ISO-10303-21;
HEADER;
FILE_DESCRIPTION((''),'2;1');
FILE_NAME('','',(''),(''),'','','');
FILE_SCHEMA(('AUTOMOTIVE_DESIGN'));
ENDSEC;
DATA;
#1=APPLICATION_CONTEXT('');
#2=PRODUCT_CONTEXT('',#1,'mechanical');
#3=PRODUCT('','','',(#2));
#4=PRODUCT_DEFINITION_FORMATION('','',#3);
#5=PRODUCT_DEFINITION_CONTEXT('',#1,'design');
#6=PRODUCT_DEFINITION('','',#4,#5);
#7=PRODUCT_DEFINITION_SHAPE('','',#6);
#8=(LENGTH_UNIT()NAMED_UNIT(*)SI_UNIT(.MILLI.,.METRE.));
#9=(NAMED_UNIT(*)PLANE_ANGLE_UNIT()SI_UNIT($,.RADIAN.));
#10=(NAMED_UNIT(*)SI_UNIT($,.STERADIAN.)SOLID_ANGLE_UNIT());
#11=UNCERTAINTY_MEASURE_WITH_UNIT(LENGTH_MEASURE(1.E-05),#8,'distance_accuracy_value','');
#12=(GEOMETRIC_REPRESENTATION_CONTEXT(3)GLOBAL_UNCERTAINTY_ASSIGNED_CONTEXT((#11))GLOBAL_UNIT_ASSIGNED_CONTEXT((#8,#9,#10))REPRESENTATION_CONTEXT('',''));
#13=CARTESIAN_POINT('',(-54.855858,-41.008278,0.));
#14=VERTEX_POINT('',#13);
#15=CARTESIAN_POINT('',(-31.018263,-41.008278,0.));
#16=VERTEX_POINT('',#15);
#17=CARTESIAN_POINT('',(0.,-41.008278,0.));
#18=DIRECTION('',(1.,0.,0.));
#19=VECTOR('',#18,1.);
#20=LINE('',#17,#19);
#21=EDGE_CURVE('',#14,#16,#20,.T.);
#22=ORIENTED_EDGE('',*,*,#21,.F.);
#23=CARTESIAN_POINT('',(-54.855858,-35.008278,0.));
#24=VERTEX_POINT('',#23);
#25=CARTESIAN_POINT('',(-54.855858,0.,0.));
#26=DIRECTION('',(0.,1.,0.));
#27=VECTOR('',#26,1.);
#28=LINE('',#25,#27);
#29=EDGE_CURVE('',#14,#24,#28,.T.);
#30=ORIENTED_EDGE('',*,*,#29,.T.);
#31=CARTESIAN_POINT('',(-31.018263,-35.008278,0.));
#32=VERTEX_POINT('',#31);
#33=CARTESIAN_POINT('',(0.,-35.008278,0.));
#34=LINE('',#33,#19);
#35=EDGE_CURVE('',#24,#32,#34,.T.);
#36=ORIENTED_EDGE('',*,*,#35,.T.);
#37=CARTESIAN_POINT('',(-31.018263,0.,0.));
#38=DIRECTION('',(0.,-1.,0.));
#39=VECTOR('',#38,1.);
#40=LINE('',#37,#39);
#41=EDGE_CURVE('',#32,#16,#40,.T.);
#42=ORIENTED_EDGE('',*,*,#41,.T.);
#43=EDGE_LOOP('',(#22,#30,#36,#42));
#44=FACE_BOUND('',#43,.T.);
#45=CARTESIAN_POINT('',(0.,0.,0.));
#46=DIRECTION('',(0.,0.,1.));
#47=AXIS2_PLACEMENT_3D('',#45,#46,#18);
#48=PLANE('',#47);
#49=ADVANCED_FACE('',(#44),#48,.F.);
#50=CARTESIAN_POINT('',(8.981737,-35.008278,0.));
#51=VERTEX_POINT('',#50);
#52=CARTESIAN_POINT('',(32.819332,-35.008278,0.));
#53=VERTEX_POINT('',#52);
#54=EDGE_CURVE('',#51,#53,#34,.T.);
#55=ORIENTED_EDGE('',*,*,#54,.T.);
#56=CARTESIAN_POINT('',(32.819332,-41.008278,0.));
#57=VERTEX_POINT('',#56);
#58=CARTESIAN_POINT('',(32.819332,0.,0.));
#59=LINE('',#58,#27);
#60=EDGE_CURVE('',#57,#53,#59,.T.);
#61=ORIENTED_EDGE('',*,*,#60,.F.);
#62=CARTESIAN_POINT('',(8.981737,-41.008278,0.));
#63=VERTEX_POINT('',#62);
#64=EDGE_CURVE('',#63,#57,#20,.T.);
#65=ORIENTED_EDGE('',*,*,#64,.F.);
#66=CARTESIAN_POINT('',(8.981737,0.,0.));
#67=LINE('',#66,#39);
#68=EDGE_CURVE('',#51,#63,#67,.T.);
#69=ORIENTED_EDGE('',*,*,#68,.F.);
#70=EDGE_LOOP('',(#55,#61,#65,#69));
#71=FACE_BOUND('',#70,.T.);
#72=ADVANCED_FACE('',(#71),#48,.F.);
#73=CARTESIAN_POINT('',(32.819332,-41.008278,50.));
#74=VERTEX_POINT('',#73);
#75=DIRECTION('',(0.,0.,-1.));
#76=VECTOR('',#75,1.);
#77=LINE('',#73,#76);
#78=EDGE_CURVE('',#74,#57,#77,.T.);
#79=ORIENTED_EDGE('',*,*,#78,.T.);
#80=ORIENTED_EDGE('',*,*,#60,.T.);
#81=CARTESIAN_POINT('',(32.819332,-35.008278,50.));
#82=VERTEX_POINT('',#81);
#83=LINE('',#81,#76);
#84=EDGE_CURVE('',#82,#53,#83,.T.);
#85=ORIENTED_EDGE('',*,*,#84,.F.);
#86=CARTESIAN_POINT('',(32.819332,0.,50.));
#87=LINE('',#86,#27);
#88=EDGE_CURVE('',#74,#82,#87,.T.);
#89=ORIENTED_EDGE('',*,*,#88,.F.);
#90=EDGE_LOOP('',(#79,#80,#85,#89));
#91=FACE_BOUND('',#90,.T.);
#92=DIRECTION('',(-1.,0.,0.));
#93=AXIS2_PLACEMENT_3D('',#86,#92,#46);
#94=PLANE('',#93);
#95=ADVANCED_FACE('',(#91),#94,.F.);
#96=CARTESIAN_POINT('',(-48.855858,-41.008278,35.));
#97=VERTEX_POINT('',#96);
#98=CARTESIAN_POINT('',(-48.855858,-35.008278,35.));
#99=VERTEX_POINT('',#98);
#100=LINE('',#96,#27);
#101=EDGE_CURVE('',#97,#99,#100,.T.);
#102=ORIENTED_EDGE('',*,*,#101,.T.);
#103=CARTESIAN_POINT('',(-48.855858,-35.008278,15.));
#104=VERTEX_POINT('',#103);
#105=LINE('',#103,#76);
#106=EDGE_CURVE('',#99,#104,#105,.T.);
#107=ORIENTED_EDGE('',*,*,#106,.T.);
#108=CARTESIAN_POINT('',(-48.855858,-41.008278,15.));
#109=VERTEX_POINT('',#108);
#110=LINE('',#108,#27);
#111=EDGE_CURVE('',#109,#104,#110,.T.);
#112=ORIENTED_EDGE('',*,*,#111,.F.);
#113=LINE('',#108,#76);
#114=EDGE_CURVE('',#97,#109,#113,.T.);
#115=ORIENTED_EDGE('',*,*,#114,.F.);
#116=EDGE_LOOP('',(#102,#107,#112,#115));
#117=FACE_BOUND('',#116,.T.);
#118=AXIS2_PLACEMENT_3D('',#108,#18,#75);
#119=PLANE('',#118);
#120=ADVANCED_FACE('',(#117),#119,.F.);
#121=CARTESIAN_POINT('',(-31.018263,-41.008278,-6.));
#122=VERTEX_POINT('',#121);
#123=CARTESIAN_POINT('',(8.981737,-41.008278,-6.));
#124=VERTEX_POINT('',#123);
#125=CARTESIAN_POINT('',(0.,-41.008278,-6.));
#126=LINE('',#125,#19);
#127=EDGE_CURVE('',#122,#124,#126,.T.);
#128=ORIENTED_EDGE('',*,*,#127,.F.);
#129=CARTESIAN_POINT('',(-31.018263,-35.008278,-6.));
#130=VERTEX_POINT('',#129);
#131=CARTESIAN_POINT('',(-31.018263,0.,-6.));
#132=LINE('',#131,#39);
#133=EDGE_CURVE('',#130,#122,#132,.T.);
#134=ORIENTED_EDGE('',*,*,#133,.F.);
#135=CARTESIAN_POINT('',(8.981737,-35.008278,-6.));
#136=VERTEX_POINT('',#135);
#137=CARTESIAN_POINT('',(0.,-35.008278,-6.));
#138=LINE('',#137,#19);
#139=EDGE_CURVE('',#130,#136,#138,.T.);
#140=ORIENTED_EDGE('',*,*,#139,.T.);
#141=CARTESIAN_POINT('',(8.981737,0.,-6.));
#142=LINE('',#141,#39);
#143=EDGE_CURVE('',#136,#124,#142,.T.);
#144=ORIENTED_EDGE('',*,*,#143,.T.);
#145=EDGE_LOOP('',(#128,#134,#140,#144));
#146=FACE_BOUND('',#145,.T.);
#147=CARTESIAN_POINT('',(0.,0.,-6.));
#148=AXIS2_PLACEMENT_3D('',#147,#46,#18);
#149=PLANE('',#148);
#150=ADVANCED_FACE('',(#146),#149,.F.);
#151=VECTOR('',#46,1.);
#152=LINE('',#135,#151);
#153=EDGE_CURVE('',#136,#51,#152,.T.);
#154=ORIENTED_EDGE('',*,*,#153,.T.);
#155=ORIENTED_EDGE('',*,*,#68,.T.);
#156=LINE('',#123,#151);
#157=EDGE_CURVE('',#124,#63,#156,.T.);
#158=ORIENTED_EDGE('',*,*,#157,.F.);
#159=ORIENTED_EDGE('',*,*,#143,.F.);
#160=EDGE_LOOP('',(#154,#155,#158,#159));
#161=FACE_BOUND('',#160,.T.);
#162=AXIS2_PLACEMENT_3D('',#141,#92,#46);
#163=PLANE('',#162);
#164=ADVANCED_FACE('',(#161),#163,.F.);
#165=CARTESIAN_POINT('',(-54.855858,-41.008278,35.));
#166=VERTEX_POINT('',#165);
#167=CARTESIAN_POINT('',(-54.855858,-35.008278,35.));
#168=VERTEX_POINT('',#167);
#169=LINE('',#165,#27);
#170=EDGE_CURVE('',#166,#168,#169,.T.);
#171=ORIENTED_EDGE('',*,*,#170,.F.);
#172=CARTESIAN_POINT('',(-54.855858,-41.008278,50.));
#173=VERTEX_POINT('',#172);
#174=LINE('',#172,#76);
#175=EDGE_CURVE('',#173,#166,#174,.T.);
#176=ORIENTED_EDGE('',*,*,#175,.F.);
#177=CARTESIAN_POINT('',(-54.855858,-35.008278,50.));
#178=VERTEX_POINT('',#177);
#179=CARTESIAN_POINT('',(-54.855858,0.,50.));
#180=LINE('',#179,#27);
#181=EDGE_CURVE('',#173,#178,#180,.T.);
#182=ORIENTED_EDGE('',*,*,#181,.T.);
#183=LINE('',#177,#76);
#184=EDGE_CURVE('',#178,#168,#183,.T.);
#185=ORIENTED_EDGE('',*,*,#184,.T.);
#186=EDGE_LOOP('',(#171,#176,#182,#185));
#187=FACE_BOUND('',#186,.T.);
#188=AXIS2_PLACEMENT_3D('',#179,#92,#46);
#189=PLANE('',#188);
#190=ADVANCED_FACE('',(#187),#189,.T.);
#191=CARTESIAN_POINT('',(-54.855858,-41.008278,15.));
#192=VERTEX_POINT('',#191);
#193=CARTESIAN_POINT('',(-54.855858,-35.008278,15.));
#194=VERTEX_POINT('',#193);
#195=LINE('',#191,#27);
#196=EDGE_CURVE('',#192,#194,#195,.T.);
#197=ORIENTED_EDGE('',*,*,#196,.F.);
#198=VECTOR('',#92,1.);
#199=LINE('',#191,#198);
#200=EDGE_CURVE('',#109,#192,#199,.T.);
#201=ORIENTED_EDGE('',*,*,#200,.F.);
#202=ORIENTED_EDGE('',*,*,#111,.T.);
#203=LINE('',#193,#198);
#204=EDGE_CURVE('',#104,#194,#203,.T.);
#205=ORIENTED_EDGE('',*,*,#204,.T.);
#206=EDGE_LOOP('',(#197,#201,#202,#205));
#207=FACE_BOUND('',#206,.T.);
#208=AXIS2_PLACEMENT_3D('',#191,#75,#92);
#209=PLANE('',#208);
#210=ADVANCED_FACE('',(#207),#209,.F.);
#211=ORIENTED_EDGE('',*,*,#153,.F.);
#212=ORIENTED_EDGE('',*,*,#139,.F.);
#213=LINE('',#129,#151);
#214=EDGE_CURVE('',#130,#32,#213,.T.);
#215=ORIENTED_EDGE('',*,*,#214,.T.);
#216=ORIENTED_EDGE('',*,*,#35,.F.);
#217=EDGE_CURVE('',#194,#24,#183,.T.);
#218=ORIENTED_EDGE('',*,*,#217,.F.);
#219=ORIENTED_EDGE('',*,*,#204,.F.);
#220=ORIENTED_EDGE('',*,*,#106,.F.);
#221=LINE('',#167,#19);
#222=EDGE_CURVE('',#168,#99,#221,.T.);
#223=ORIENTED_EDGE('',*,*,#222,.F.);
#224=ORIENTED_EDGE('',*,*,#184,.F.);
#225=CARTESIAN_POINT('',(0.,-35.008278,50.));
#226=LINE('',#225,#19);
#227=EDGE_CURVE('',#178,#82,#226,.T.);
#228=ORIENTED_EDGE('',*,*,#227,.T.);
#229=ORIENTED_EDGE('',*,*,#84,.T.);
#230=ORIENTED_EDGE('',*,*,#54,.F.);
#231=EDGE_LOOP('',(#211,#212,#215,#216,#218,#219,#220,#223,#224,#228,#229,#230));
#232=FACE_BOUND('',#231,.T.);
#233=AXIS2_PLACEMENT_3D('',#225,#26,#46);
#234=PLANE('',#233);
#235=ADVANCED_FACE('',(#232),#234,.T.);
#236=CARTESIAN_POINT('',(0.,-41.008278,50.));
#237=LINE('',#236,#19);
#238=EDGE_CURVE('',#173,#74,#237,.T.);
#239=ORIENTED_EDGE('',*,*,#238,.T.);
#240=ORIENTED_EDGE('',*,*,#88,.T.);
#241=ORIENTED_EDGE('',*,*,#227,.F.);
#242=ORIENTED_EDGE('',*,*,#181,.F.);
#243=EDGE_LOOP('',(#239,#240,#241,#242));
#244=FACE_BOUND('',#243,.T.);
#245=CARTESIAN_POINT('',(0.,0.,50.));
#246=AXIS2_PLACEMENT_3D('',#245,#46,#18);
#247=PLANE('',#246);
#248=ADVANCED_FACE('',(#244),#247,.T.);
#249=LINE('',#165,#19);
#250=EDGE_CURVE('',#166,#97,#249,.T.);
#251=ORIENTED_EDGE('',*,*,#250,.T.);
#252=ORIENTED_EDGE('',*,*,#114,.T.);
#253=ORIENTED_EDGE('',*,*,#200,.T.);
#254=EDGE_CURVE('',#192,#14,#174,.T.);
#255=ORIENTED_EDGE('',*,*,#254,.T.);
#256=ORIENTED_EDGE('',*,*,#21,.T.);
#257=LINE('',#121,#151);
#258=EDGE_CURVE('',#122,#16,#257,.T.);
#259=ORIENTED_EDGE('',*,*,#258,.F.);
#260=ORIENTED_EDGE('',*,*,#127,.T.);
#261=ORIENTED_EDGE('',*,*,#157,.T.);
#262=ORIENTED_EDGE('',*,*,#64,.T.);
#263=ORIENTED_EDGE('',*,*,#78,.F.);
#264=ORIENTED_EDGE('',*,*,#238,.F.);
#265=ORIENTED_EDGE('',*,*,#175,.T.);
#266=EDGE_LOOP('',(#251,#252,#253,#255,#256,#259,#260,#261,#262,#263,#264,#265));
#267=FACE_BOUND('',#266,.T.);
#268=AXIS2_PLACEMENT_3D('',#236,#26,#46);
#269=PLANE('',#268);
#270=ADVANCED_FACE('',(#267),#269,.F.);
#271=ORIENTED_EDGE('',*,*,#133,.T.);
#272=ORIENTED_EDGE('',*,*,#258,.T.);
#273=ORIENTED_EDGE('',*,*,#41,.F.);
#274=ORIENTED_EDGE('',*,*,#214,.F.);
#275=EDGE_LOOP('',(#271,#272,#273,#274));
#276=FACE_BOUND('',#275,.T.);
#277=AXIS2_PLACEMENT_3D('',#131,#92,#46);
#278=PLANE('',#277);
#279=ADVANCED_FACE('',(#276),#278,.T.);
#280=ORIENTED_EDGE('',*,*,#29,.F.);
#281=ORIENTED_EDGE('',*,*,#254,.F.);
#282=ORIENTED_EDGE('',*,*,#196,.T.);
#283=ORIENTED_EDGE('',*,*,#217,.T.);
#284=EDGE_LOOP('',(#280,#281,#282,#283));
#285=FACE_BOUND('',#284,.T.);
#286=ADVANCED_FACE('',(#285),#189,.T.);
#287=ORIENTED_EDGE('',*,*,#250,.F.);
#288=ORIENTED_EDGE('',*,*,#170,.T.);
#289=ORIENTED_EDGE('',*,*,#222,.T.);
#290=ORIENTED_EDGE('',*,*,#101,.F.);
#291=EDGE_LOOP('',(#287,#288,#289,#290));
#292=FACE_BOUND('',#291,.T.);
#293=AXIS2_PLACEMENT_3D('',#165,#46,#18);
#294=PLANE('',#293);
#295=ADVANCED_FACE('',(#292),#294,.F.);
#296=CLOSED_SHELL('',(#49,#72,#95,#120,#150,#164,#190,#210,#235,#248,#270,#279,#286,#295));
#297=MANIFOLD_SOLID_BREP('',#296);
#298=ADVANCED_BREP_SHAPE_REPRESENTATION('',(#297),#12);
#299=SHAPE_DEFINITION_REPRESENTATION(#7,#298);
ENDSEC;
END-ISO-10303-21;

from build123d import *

# Parameters (mm, degrees)
SKETCH1_W           = 87.675190279
SKETCH1_H           = 6
BOSS_EXTRUDE1_DEPTH = 50
SKETCH1_3_W         = 40
SKETCH1_3_H         = 6
BOSS_EXTRUDE2_DEPTH = 6
SKETCH2_W           = 6
SKETCH2_H           = 20
CUT_EXTRUDE1_DEPTH  = 6


with BuildPart() as part:
    # Sketch1 → Boss-Extrude1 (new body)
    with BuildSketch(Plane.XY):
        with Locations((-11.018263017, -38.008278224)):
            Rectangle(SKETCH1_W, SKETCH1_H)
    extrude(amount=BOSS_EXTRUDE1_DEPTH)

    # Sketch1<3> → Boss-Extrude2 (add)
    with BuildSketch(Plane.XY):
        with Locations((-11.018263016, -38.008278224)):
            Rectangle(SKETCH1_3_W, SKETCH1_3_H)
    extrude(amount=-BOSS_EXTRUDE2_DEPTH)

    # Sketch2 → Cut-Extrude1 (cut)
    with BuildSketch(Plane(origin=(0, -35.008278224, 0), x_dir=(1, 0, 0), z_dir=(0, 1, 0))):
        with Locations((-51.855858156, -25)):
            Rectangle(SKETCH2_W, SKETCH2_H)
    extrude(amount=-CUT_EXTRUDE1_DEPTH, mode=Mode.SUBTRACT)


solid = part.part
